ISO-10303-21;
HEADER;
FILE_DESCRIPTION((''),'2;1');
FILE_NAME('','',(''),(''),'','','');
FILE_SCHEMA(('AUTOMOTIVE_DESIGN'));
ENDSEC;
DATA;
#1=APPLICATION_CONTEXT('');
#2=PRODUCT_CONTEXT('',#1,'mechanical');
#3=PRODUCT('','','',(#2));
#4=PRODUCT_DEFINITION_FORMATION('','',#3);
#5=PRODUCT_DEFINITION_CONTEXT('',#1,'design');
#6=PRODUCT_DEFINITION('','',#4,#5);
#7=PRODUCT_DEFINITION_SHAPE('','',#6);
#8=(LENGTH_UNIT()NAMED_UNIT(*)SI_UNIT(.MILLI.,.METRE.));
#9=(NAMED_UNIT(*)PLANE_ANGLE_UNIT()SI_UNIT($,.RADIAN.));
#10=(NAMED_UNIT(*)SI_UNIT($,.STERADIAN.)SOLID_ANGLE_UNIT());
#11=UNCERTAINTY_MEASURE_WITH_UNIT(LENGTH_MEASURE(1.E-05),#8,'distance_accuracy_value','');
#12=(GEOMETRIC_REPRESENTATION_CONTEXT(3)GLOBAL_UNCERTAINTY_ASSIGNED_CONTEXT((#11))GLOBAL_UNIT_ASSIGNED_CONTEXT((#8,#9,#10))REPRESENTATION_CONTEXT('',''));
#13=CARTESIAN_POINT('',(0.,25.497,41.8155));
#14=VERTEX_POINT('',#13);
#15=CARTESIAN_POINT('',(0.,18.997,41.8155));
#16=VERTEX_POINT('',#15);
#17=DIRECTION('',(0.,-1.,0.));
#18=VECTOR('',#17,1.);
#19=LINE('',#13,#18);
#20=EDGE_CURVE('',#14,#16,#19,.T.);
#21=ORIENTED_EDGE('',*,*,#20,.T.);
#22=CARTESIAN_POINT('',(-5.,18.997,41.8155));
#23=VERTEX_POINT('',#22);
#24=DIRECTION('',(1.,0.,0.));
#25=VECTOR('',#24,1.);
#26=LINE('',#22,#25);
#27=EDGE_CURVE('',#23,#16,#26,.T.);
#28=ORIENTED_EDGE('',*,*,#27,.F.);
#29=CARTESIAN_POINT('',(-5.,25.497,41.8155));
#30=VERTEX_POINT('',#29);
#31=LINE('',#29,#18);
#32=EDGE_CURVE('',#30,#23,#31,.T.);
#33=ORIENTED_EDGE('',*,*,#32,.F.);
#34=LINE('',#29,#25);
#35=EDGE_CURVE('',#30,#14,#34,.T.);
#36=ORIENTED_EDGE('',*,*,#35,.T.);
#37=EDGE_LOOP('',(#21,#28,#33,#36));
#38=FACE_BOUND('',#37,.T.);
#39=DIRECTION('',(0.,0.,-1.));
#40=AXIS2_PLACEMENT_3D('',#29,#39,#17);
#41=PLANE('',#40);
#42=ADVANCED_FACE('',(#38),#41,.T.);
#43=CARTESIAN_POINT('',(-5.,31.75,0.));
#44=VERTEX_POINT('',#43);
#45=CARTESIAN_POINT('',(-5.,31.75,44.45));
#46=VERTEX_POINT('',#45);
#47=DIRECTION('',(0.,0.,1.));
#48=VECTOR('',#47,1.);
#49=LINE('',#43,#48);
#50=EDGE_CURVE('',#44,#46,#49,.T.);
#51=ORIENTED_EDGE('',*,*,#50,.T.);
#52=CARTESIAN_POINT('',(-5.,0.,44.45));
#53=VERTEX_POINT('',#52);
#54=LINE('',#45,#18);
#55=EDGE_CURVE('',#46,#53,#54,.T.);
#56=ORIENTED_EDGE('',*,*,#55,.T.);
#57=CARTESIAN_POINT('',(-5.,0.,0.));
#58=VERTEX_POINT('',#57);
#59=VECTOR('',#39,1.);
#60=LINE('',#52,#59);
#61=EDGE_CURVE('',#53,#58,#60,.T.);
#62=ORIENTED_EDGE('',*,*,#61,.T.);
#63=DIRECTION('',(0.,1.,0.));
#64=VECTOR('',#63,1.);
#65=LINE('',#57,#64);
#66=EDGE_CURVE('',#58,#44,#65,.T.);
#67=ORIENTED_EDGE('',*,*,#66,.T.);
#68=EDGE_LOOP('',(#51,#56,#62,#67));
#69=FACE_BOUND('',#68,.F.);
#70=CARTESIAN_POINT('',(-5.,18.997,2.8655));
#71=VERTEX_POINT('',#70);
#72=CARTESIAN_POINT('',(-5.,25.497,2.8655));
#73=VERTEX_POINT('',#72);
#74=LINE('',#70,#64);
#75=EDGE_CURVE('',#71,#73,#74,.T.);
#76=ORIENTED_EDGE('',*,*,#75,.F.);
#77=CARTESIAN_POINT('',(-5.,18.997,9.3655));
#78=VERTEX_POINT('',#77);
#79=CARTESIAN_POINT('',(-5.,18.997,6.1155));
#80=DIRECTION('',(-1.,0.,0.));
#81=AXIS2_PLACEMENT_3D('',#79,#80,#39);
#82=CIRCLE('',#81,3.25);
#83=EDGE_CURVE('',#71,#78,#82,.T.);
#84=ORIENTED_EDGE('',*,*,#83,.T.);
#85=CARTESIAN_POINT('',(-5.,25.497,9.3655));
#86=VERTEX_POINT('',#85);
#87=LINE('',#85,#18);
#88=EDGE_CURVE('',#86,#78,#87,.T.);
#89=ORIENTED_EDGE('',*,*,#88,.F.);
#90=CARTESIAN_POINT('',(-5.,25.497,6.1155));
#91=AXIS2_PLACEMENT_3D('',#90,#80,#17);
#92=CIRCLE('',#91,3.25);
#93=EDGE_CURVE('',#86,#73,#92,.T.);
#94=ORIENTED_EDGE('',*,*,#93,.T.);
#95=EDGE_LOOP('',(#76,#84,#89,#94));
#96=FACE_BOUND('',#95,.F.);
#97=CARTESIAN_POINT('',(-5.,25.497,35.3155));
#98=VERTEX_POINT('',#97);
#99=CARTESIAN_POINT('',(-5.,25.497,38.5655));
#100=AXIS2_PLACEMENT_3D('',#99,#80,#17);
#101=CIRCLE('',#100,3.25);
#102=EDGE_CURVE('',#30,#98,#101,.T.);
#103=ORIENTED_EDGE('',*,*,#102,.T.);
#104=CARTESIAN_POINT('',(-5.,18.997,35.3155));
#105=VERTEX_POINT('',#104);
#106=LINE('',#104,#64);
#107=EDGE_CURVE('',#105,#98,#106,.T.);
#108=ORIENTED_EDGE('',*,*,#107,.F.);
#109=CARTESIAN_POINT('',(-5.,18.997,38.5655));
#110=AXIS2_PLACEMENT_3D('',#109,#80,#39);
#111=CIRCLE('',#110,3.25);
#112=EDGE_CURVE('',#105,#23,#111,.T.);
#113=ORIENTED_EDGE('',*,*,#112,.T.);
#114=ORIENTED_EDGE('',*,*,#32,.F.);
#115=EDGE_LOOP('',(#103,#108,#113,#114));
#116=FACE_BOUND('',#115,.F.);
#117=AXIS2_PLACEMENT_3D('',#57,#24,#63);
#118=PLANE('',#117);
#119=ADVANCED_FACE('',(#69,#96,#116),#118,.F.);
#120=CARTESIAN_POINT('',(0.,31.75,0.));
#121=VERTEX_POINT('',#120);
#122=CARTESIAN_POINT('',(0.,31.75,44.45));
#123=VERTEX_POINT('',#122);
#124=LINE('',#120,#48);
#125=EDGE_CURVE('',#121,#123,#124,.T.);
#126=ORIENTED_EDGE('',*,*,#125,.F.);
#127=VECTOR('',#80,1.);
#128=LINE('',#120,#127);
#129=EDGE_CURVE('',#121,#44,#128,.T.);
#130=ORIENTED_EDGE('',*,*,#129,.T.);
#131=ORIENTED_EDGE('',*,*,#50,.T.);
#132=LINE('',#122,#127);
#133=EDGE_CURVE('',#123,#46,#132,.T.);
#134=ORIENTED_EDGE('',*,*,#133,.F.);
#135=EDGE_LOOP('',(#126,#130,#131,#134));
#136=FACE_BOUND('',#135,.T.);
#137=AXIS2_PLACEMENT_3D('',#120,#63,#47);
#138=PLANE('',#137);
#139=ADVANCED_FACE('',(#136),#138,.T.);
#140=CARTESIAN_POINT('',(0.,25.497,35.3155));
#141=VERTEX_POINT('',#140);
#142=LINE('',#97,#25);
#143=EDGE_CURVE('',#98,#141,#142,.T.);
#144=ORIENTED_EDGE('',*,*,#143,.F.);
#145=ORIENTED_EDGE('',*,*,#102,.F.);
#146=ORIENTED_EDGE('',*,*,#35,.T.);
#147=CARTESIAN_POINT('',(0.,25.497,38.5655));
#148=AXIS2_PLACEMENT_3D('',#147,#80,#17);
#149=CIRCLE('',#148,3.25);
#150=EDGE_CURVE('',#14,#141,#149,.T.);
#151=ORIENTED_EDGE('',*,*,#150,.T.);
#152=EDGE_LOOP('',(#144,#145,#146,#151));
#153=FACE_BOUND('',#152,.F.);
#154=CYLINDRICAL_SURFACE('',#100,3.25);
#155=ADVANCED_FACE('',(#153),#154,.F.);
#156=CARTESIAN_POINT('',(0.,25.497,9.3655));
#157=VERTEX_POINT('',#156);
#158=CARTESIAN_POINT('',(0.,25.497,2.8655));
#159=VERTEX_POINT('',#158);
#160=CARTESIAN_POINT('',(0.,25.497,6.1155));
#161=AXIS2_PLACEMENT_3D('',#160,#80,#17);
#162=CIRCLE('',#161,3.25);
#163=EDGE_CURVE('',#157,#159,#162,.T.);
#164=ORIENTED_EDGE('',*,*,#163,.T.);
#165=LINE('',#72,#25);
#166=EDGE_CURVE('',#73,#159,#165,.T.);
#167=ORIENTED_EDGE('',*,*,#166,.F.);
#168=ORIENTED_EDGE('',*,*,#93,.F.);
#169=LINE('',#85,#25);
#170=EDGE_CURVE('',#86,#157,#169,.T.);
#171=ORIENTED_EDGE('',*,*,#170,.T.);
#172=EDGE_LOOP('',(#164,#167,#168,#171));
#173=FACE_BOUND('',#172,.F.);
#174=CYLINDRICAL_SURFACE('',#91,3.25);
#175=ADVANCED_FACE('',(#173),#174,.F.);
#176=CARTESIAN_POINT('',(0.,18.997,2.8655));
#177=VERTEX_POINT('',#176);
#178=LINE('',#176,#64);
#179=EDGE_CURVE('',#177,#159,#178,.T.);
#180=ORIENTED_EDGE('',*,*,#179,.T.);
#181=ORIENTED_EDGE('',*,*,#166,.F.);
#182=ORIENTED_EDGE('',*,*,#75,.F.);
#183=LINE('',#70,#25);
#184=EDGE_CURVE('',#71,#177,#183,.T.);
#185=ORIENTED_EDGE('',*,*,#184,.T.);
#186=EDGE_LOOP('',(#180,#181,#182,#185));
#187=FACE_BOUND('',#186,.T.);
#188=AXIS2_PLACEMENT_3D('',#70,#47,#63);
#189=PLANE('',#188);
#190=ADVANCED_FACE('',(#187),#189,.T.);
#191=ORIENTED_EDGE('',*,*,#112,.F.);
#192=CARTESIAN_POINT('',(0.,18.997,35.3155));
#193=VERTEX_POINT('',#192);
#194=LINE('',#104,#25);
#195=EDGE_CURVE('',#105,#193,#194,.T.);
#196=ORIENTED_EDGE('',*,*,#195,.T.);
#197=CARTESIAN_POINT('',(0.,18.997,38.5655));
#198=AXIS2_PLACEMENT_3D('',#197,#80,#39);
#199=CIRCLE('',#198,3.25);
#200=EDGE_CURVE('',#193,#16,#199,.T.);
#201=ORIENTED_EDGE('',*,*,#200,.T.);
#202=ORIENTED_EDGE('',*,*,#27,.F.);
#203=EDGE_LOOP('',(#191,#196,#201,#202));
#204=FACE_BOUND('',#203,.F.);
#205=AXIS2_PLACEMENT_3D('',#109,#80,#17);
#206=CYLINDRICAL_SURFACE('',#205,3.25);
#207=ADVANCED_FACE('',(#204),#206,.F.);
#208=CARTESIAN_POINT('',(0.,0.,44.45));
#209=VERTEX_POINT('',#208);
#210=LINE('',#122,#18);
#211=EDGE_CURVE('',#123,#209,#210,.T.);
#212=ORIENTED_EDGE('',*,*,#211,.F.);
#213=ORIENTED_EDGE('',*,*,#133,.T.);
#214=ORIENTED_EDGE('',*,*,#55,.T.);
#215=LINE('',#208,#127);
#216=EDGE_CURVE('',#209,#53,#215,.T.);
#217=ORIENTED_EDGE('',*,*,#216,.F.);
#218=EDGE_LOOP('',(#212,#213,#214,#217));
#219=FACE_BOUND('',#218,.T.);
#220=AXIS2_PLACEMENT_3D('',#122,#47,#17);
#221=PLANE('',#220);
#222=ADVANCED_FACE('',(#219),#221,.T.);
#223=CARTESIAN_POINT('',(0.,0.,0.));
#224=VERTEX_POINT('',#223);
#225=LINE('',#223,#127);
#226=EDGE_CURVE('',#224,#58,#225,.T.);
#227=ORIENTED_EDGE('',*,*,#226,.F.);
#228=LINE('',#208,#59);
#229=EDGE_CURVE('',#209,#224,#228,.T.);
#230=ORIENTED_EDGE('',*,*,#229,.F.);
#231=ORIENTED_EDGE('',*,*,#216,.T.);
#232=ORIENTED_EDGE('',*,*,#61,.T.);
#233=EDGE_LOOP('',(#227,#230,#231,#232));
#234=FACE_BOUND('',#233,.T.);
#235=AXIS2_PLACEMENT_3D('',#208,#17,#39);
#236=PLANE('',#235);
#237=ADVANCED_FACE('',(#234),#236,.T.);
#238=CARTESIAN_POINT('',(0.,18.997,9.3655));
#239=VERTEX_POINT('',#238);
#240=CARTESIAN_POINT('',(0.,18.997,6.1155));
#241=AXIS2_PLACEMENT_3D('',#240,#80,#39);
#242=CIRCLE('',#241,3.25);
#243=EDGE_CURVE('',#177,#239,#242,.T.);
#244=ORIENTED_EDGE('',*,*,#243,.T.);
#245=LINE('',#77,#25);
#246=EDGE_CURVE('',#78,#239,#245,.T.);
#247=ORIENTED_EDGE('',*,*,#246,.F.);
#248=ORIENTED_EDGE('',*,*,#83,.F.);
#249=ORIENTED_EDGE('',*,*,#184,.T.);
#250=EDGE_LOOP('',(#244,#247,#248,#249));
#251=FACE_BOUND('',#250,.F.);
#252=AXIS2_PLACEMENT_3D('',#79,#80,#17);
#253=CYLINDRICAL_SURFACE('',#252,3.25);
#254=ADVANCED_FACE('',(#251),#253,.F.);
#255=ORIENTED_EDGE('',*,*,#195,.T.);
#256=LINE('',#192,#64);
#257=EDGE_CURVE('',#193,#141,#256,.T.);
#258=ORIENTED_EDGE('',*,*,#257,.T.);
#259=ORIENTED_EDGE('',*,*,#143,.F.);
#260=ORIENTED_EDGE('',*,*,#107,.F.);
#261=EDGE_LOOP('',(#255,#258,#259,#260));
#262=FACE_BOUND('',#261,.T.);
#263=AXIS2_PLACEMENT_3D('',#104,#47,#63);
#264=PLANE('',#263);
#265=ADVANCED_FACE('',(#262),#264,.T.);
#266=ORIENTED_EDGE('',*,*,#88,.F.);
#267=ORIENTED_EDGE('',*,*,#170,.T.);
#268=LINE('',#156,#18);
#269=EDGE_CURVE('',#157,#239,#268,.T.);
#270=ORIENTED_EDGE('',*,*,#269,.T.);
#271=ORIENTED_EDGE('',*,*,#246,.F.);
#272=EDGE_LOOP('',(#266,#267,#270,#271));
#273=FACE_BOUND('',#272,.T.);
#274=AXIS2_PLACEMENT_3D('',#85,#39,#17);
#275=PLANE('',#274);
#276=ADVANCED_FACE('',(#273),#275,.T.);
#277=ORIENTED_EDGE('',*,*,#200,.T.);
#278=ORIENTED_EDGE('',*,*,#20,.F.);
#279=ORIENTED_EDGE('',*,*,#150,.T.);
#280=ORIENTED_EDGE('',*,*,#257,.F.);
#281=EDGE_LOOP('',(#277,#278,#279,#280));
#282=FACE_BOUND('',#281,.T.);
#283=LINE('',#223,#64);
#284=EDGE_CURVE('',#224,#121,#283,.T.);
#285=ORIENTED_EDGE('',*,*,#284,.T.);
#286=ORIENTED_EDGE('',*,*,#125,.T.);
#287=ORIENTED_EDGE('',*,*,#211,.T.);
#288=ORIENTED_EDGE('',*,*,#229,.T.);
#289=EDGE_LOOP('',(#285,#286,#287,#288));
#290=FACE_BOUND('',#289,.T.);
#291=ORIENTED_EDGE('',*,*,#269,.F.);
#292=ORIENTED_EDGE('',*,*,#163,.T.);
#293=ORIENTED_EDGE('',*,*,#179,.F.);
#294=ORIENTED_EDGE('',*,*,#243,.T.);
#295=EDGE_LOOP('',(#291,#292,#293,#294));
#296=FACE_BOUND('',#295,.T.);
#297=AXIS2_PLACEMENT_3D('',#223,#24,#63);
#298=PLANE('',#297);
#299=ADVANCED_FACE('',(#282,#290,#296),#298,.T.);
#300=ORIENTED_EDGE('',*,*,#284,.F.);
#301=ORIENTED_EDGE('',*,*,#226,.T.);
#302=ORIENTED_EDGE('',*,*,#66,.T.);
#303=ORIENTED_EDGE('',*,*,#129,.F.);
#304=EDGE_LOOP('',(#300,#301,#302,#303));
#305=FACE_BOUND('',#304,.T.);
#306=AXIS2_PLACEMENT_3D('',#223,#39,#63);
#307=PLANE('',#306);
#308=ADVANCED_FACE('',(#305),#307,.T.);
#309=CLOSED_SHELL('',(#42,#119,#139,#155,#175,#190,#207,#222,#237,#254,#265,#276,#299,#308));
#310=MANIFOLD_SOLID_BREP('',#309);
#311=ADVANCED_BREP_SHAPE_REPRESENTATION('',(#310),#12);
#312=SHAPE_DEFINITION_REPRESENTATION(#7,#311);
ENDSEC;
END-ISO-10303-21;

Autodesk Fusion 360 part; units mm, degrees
sketch "Sketch1" plane through (0, 0, 0) normal (1, 0, 0) x (0, 1, 0) in component "Wing"
  line L0 (0, 0) -> (31.75, 0)
  line L1 (31.75, 0) -> (31.75, 44.45)
  line L2 (31.75, 44.45) -> (0, 44.45)
  line L3 (0, 44.45) -> (0, 0)
  dimension "d1" = 31.75
  dimension "d2" = 44.45
extrude "Extrude1" add sketch "Sketch1" against normal blind 5 makes body 1 in component "Wing"
sketch "Sketch3" plane through (-5, 0, 0) normal (-1, 0, 0) x (0, -1, 0) in component "Wing"
  line L0 (0, 0) -> (0, 44.45)
  line L1 (0, 44.45) -> (-31.75, 44.45)
  line L2 (-31.75, 44.45) -> (-31.75, 0)
  line L3 (-31.75, 0) -> (0, 0)
  line L4 (-25.497, 41.8155) -> (-18.997, 41.8155)
  line L5 (-18.997, 41.8155) -> (-18.997, 35.3155)
  line L6 (-18.997, 35.3155) -> (-25.497, 35.3155)
  line L7 (-25.497, 35.3155) -> (-25.497, 41.8155)
  circle A0 centre (-18.997, 38.5655) radius 3.25
  circle A1 centre (-25.497, 38.5655) radius 3.25
  dimension "d13" = 6.5
  dimension "d14" = 6.5
  dimension "d15" = 6.5
  dimension "d16" = 6.5
extrude "Extrude2" add sketch "Sketch3" against normal blind 5 separate body contours L7 A1 | L4 A0 A1 | L7 A1 | L5 A0 | L5 A0 | L6 A0 A1 makes body 2 in component "Wing"
copy_body "CopyPasteBodies1" bodies 2 makes body 3 in component "Wing"
move_body "Move1" bodies 3 to x (1, 0, 0) y (0, 1, 0) z (0, 0, 1) at (0, 0, -35.25) in component "Wing"
move_body "Move2" bodies 3 to x (1, 0, 0) y (0, 1, 0) z (0, 0, 1) at (0, 0, 2.8) in component "Wing"
combine "Combine1" operation cut target body 1 tool bodies 2 3 in component "Wing"
component "Wing" placed x (1, 0, 0) y (0, 1, 0) z (0, 0, 1) at (0, 0, 0)
